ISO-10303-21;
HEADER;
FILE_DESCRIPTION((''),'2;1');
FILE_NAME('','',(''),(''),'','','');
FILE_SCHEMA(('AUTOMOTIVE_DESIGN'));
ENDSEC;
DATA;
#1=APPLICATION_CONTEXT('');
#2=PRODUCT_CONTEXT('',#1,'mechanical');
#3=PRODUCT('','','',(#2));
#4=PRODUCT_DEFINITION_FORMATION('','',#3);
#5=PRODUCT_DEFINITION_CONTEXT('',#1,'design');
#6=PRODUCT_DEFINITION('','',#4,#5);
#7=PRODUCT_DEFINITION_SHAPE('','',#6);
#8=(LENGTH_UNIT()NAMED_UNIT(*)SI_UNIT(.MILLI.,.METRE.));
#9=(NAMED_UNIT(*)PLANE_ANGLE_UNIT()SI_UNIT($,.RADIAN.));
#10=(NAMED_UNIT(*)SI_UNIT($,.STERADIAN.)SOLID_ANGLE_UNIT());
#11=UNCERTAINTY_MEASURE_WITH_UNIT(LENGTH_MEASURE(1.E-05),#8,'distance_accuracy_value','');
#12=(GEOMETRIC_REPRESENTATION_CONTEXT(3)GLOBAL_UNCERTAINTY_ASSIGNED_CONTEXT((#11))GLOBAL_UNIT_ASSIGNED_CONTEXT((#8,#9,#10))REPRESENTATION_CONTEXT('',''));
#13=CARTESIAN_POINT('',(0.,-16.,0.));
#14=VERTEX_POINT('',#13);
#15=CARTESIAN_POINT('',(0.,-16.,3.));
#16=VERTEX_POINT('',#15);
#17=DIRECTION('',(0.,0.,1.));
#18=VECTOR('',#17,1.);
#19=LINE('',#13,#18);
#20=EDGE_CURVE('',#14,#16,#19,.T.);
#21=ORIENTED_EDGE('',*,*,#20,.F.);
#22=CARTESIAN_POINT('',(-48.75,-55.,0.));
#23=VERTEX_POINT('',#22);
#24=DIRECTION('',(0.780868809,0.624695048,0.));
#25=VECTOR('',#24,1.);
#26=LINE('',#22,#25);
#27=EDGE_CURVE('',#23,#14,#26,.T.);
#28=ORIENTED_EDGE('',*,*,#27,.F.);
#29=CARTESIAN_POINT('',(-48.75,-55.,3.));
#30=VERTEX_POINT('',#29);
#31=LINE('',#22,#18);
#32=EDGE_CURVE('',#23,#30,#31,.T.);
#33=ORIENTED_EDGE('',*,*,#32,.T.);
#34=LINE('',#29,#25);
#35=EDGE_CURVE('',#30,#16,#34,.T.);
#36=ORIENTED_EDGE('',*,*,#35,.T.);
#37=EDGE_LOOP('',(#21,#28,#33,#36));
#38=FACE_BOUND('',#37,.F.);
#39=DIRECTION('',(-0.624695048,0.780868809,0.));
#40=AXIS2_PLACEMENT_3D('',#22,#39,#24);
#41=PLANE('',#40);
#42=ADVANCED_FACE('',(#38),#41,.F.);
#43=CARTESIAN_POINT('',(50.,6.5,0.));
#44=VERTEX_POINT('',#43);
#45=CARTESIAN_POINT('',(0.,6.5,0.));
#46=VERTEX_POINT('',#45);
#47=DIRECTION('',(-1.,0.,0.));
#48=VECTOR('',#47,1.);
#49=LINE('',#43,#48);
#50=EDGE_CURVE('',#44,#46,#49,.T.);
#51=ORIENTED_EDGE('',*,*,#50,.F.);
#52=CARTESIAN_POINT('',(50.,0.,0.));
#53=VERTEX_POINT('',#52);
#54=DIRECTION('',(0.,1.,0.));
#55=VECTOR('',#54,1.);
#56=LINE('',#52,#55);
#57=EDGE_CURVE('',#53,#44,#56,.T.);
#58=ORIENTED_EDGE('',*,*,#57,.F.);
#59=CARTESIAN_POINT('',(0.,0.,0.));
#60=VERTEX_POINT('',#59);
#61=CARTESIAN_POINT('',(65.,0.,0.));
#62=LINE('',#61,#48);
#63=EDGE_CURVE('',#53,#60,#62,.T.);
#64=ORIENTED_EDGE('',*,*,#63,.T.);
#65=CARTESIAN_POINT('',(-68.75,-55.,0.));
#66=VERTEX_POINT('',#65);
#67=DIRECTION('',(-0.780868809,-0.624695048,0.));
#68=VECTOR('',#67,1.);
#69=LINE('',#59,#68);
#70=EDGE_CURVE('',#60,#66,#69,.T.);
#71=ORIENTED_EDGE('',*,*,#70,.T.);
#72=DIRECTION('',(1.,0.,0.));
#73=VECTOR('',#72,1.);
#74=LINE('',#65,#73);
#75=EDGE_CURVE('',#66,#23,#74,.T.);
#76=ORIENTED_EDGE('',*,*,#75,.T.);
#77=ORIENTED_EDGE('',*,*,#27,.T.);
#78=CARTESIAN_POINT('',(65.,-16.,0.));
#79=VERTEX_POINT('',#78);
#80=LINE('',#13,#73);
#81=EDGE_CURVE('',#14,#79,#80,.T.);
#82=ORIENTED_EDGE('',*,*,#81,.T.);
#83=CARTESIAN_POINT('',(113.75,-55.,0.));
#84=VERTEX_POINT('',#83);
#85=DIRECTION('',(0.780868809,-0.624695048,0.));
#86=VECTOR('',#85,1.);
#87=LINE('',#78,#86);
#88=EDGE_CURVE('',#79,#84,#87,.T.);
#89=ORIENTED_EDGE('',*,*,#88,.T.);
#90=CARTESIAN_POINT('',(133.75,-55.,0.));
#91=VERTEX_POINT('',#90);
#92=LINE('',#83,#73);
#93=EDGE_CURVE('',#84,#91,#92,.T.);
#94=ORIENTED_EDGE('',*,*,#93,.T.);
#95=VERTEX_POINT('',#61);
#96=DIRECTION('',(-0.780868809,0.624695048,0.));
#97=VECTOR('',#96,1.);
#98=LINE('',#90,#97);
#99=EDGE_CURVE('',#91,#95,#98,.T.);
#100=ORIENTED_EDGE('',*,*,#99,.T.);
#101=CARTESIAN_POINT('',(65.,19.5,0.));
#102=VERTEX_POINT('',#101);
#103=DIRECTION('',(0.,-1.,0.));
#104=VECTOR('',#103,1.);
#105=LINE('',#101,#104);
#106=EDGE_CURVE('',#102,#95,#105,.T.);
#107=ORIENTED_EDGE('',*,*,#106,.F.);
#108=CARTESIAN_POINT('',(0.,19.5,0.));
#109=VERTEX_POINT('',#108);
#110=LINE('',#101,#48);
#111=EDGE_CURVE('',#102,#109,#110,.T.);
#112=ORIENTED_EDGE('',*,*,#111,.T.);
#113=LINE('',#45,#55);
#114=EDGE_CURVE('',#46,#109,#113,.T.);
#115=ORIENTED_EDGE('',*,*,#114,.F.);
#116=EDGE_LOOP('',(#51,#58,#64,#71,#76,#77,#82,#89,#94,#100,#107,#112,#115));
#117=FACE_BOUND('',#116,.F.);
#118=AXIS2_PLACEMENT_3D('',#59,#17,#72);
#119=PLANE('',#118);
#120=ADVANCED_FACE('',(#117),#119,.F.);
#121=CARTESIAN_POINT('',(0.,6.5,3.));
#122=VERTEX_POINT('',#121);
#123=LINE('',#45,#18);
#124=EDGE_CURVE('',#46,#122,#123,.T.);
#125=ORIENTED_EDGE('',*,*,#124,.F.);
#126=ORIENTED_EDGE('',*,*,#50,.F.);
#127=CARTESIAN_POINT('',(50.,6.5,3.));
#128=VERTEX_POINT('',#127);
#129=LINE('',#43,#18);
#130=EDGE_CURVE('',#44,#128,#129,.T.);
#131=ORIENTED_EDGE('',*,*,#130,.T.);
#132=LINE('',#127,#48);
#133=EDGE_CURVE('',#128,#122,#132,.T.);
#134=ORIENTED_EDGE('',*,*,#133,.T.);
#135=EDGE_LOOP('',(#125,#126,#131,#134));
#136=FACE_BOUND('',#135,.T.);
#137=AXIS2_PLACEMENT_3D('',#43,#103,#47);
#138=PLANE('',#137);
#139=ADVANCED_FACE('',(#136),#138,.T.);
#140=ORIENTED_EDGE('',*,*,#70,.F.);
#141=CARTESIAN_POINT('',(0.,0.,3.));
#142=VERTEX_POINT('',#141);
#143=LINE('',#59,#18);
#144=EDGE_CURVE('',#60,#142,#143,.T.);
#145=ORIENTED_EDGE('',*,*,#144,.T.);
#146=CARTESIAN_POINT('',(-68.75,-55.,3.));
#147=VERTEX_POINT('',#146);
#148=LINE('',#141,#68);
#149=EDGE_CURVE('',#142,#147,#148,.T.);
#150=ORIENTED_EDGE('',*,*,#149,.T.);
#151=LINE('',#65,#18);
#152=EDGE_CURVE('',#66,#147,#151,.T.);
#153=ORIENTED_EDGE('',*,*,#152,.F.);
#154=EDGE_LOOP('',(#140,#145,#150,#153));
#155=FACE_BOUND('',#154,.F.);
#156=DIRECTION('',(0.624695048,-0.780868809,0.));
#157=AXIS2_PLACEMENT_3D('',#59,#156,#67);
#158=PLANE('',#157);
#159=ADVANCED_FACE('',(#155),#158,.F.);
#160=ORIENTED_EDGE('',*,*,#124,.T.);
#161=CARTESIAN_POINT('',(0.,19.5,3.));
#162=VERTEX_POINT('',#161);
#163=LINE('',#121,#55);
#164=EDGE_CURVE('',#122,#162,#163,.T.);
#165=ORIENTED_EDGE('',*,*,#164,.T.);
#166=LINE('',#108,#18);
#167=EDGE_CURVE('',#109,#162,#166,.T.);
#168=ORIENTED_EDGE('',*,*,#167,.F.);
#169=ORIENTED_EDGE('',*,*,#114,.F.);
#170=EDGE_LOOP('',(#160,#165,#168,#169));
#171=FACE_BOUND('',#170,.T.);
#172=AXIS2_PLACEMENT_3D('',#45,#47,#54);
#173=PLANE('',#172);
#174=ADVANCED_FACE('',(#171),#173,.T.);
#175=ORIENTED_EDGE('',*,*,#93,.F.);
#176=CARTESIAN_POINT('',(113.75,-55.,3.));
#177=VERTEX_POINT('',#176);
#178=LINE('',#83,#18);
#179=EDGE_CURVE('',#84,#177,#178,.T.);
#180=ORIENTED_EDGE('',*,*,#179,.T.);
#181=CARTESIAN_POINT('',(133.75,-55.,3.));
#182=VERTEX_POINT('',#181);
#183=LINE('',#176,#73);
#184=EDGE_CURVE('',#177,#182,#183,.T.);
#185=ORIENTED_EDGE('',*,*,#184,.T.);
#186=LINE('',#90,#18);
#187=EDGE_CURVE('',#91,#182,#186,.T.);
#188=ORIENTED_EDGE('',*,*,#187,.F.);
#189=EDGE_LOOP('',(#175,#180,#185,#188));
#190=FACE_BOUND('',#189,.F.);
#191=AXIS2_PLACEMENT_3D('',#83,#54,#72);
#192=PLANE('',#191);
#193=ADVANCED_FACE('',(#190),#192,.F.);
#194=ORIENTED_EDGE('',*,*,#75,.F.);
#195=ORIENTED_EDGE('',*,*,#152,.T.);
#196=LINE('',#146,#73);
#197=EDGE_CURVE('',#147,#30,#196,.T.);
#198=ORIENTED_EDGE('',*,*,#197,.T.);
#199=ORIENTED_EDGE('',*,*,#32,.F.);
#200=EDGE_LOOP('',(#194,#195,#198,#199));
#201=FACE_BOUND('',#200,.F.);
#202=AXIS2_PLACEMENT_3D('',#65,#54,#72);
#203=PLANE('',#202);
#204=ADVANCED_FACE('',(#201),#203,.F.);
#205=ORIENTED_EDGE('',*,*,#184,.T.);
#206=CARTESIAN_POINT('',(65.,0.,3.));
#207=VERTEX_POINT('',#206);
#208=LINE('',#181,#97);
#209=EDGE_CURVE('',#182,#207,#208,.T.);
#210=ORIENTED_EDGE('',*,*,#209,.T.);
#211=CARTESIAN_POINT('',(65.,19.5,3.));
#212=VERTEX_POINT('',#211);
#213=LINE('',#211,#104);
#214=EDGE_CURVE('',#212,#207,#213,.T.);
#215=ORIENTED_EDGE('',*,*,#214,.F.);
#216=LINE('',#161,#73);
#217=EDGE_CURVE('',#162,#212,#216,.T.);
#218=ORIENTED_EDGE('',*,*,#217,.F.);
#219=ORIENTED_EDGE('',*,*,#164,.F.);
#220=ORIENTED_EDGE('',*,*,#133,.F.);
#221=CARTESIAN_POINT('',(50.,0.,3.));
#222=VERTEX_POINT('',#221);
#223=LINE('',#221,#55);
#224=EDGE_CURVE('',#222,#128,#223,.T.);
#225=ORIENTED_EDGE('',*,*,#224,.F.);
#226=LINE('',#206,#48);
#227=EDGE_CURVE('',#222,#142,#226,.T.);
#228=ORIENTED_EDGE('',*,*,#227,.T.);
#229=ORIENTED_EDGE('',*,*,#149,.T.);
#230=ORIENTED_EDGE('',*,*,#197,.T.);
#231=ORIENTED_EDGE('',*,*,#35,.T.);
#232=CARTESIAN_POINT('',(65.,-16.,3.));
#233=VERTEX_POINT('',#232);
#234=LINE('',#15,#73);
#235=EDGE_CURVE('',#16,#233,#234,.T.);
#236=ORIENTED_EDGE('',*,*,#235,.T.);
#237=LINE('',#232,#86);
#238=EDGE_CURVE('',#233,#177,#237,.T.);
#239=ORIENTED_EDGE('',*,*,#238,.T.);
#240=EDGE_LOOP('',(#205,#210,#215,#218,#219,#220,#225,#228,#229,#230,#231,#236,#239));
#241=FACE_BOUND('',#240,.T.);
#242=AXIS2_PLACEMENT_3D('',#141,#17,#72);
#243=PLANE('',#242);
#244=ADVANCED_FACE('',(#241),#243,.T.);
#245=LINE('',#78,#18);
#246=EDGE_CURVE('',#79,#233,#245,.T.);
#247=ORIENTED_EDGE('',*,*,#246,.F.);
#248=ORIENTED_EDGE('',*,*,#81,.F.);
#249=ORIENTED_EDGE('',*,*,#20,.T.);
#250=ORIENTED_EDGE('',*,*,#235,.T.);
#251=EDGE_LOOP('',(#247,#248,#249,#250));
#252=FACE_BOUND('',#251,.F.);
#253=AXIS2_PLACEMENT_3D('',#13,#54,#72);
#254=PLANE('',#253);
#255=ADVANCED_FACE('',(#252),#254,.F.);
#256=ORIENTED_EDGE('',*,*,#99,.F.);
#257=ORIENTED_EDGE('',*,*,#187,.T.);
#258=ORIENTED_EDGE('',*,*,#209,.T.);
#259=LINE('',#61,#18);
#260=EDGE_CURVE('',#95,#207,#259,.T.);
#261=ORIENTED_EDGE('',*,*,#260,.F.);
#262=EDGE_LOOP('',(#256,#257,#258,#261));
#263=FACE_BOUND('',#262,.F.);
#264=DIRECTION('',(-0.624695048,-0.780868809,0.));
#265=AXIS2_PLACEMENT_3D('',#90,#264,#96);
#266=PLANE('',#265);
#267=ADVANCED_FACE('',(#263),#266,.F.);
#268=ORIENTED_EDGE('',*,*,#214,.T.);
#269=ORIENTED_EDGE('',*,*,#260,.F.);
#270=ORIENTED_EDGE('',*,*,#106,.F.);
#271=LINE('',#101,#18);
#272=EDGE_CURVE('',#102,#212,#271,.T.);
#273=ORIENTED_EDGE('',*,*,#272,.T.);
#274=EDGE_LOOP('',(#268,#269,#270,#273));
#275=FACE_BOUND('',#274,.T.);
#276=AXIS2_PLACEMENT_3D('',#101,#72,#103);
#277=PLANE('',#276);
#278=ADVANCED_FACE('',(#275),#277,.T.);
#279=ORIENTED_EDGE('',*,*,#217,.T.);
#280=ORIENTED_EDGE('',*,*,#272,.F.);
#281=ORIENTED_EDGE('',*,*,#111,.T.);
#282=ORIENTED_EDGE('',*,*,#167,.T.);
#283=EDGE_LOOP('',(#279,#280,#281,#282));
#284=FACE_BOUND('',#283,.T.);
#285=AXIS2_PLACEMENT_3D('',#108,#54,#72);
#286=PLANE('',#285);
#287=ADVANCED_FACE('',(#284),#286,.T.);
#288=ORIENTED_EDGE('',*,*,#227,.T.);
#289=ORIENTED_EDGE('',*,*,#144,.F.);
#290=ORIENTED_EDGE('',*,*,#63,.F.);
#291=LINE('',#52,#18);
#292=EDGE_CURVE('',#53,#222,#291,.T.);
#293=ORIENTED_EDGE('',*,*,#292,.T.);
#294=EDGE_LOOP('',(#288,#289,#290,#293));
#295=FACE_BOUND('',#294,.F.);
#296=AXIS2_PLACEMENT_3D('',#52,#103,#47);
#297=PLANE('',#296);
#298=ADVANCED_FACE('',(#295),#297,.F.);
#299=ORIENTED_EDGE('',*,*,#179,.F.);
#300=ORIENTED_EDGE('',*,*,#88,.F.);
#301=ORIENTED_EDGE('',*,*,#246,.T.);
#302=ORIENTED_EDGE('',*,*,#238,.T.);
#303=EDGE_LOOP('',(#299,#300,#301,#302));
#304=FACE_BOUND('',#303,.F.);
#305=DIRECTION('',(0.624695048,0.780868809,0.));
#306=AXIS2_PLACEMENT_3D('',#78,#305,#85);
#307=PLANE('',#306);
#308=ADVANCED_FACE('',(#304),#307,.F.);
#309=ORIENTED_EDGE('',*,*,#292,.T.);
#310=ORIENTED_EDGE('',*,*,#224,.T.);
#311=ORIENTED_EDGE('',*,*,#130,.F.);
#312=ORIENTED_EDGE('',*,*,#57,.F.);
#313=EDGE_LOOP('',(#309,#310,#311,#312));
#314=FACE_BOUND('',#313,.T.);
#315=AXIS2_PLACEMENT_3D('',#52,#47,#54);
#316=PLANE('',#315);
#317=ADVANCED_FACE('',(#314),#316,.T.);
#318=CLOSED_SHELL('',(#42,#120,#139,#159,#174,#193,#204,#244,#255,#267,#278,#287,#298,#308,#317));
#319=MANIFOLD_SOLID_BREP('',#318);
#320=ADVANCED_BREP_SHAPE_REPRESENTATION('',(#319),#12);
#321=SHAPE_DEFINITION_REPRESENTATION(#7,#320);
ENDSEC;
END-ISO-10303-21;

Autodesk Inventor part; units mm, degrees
ref_plane "YZ Plane" through (0, 0, 0) normal (1, 0, 0) x (0, 1, 0)
ref_plane "XZ Plane" through (0, 0, 0) normal (0, 1, 0) x (-1, 0, 0)
ref_plane "XY Plane" through (0, 0, 0) normal (0, 0, 1) x (1, 0, 0)
sketch "Sketch1" plane through (0, 0, 0) normal (0, 0, 1) x (1, 0, 0)
  line L0 (0, 19.5) -> (50, 19.5)
  line L1 (50, 19.5) -> (50, 6.5)
  line L2 (50, 6.5) -> (0, 6.5)
  line L3 (0, 6.5) -> (0, 19.5)
  line L4 (50, 19.5) -> (65, 19.5)
  line L5 (65, 19.5) -> (65, 0)
  line L6 (65, 0) -> (50, 0)
  line L7 (50, 0) -> (50, 19.5)
  line L8 (65, 0) -> (0, 0)
  line L9 (0, 0) -> (0, -16)
  line L10 (0, -16) -> (65, -16)
  line L11 (65, -16) -> (65, 0)
  line L12 (0, 0) -> (-68.75, -55)
  line L13 (-68.75, -55) -> (-48.75, -55)
  line L14 (-48.75, -55) -> (0, -16)
  line L15 (65, -16) -> (113.75, -55)
  line L16 (113.75, -55) -> (133.75, -55)
  line L17 (133.75, -55) -> (65, 0)
  point P0 (50, 6.5)
  point P1 (50, 0)
  dimension "d0" = 6.5
  dimension "d1" = 13
  dimension "d2" = 50
  dimension "d3" = 15
  dimension "d4" = 16
  dimension "d5" = 20
  dimension "d6" = 20
  dimension "d7" = 55
extrude "Extrusion1" add sketch "Sketch1" along normal blind 3
properties part number "Support_base"
